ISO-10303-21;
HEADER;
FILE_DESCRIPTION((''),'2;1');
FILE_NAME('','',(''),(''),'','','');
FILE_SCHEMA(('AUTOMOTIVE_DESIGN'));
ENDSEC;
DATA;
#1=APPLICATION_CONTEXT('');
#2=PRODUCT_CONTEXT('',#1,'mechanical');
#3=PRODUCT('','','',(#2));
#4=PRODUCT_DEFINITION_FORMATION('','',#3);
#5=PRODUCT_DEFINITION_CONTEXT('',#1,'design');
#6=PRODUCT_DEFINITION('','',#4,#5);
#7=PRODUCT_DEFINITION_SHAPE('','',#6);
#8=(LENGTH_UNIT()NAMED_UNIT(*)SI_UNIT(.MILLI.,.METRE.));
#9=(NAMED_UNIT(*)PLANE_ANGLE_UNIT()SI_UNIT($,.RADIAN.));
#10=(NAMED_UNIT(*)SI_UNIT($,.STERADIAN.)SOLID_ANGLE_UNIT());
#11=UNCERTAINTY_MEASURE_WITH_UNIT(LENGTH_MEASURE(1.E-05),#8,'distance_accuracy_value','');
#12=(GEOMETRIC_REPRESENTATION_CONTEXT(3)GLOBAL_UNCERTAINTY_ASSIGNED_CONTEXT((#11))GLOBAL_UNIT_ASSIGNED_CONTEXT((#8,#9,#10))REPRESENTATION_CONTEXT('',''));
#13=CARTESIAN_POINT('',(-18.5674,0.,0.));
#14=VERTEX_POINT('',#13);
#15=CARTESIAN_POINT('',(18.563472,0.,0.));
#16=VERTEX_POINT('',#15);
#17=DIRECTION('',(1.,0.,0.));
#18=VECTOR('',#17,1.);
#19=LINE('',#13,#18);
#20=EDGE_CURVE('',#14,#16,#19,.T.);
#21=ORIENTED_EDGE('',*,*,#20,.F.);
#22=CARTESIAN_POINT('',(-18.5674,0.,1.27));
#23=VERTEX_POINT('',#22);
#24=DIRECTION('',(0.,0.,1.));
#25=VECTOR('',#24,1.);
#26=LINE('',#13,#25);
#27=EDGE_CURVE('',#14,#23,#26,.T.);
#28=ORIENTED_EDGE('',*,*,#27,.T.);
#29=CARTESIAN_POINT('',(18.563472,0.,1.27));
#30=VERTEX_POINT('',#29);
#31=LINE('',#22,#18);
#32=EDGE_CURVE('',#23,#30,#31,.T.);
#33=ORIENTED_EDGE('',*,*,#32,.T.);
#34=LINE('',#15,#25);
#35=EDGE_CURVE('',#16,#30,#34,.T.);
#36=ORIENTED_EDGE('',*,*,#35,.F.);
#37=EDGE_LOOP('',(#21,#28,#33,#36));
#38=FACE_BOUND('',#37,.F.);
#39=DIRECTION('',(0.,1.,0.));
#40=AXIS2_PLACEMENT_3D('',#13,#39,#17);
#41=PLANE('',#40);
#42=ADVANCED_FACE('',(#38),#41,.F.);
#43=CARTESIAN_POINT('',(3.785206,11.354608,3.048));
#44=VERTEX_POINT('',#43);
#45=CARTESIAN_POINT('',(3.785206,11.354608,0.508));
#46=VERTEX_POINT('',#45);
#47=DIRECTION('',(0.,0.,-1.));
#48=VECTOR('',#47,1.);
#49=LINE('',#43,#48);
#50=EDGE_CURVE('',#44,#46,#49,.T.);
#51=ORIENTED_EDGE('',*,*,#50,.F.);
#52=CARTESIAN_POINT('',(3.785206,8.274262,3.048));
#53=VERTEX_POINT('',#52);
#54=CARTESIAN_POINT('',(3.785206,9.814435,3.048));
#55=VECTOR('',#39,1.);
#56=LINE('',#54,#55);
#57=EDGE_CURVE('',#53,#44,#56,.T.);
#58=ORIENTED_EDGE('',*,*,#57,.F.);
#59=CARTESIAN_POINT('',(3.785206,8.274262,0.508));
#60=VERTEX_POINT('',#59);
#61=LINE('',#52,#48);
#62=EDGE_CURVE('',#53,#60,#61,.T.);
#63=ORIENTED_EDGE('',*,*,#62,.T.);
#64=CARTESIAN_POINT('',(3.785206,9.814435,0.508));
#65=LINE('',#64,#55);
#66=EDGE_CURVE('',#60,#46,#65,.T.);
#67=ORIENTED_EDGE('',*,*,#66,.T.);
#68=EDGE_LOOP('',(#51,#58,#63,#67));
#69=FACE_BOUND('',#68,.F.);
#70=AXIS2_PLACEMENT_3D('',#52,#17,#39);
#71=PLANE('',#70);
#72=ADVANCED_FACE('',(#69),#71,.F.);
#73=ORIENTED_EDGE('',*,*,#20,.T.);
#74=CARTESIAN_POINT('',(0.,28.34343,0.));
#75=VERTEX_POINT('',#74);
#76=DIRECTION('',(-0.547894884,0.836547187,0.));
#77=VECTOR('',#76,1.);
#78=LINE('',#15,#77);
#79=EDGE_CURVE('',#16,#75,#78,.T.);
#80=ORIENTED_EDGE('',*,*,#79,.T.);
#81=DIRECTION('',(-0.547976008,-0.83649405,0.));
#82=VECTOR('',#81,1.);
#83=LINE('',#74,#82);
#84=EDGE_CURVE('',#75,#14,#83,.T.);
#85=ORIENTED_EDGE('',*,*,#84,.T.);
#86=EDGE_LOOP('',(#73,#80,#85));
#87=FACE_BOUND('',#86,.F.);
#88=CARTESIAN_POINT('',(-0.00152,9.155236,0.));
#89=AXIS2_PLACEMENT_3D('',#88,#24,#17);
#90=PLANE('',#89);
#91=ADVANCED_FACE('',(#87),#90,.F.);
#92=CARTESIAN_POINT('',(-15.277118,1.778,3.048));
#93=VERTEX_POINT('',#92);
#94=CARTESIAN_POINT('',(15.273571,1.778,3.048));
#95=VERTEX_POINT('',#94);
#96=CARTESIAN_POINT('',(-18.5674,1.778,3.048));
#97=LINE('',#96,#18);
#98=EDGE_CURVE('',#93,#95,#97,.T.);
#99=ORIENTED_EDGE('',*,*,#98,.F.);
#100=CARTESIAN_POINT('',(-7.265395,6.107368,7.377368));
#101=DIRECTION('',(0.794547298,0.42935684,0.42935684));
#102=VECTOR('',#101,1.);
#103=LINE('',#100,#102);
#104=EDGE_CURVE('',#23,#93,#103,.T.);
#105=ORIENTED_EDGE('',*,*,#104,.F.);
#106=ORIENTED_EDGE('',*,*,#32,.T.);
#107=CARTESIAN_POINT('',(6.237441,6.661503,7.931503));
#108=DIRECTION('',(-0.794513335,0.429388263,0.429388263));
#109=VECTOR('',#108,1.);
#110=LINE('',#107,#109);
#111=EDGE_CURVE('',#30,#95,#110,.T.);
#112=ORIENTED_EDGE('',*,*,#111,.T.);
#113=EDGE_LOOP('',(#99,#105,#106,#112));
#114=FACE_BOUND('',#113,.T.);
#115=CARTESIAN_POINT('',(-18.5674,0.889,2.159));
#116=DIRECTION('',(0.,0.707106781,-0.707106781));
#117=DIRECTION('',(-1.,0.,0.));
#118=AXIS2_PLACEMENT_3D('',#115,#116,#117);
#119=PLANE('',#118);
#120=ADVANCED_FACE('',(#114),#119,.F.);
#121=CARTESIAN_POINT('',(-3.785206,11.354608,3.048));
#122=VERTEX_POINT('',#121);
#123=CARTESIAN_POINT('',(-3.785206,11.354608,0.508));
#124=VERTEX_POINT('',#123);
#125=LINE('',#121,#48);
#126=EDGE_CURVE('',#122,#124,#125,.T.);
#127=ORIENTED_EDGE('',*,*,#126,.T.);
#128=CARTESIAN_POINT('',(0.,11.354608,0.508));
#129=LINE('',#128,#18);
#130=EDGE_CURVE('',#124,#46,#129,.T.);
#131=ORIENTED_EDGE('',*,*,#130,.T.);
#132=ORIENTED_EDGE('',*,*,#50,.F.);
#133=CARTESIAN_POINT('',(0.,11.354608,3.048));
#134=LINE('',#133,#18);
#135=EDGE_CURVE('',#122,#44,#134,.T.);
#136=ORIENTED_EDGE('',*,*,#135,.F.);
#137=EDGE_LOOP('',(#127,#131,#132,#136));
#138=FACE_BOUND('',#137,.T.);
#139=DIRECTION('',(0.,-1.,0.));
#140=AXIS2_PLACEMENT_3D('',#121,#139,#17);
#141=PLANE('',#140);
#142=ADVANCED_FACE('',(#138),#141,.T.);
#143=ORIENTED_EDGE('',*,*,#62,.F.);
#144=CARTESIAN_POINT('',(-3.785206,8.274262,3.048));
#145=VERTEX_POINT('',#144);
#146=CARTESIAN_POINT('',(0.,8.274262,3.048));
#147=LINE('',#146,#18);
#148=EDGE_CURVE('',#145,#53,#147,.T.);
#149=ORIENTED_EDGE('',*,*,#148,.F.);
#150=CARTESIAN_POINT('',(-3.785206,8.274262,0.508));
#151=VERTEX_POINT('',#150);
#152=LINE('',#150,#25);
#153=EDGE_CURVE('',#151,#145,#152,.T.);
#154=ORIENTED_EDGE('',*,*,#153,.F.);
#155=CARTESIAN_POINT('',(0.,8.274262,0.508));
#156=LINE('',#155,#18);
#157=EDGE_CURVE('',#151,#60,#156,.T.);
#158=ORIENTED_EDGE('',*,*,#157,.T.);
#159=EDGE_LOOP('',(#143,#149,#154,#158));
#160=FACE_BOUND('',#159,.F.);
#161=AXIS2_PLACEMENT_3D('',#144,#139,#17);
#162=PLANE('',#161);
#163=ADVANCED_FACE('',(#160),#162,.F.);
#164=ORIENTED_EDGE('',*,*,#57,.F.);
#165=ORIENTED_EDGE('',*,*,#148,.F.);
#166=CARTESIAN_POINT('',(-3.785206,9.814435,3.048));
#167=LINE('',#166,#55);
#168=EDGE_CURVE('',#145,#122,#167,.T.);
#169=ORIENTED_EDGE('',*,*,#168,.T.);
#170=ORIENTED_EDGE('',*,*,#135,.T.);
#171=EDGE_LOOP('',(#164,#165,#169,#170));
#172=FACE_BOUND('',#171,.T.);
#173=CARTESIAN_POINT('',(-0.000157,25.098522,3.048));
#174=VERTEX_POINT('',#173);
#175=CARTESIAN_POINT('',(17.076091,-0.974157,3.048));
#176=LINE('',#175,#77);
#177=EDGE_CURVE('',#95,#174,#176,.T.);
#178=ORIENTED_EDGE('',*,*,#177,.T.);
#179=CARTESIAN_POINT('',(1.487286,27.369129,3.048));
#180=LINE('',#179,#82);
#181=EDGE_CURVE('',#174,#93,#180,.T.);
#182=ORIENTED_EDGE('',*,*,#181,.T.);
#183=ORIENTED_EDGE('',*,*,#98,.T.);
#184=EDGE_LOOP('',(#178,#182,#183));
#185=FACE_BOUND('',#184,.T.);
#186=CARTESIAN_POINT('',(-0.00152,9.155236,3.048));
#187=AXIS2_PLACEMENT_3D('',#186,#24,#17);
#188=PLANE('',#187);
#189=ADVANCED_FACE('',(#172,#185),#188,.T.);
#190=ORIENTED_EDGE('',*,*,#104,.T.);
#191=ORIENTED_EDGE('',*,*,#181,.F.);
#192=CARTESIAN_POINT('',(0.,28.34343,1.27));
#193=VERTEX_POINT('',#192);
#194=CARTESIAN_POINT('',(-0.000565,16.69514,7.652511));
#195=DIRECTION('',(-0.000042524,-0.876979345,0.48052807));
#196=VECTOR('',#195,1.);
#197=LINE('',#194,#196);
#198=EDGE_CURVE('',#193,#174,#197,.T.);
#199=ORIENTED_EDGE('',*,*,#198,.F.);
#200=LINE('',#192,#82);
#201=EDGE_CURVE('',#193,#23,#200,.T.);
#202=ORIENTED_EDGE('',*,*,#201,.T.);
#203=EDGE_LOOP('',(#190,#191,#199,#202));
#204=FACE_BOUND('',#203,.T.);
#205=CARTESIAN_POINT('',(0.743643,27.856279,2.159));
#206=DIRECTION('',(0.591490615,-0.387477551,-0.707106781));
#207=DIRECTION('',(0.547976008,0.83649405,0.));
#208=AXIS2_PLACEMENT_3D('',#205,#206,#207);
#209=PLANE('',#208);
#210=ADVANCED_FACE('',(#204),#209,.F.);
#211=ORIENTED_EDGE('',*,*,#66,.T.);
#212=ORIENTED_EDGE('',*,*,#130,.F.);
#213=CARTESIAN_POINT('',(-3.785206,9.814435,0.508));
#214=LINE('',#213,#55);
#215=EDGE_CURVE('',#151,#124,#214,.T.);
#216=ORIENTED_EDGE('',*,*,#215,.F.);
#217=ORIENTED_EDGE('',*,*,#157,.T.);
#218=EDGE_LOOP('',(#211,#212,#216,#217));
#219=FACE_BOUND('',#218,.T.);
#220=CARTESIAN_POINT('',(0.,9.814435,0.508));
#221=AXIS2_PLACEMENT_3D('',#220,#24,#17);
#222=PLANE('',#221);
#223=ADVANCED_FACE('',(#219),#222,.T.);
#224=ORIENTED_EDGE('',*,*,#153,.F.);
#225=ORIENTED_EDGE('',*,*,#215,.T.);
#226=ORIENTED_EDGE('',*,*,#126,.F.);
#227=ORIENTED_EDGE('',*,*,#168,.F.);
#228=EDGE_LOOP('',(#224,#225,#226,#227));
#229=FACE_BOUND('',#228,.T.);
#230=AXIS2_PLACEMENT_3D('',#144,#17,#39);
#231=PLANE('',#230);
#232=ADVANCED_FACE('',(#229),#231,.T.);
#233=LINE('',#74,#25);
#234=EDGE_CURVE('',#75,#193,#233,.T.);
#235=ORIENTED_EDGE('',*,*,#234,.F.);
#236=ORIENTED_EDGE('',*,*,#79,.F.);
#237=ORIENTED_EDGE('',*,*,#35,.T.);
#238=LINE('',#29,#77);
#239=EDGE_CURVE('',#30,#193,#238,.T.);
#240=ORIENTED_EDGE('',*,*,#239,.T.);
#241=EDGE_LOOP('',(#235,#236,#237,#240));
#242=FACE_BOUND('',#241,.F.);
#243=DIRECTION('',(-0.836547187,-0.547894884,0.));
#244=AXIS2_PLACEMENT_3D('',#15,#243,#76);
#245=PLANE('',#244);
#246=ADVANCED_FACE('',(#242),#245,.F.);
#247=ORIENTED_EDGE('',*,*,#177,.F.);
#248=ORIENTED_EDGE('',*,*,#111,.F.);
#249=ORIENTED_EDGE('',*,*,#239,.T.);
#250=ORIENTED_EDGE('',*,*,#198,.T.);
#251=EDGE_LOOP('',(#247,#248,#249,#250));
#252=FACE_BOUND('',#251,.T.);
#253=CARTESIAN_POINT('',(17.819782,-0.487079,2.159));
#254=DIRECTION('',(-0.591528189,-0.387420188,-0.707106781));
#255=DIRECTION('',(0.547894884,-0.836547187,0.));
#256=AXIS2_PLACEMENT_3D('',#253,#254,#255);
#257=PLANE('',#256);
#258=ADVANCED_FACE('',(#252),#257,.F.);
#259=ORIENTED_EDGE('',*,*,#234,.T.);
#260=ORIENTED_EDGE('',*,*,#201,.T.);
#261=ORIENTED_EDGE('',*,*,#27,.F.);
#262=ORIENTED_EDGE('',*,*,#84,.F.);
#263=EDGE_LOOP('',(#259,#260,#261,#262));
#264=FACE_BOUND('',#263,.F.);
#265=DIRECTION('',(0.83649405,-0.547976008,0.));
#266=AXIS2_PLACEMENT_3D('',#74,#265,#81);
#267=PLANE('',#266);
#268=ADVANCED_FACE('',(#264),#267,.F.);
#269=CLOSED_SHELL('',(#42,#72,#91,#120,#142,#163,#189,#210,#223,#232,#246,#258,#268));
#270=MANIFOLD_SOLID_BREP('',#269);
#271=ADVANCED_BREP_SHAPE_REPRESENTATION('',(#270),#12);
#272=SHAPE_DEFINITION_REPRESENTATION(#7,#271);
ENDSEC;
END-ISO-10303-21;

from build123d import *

# Parameters (mm, degrees)
F1_DEPTH  = 3.048
F2_SIZE   = 1.778
F3_W      = 7.570412
F3_H      = 3.080346
F4_DEPTH  = 0.508
F4_FACE_W = 7.570412
F4_FACE_H = 3.080346
F5_DEPTH  = 2.032


with BuildPart() as f1:
    # F0 (on Top) → F1 (new body)
    with BuildSketch(Plane.XY):
        Polygon((-18.5674, 0), (0, 0), (18.563472, 0), (0, 28.34343), align=None)
    extrude(amount=F1_DEPTH)

    # F2
    f2_edges = [f1.edges().sort_by_distance(p)[0] for p in [
        (-9.2837, 14.171715, 3.048),
        (-0.001964, 0, 3.048),
        (9.281736, 14.171715, 3.048),
    ]]
    chamfer(f2_edges, length=F2_SIZE)

    # F3 (on face) → F4 (cut)
    with BuildSketch(Plane.XY.offset(3.048)):
        with Locations((0, 9.814435)):
            Rectangle(F3_W, F3_H)
    extrude(amount=-F4_DEPTH, mode=Mode.SUBTRACT)

    # F4_face (on face) → F5 (cut)
    with BuildSketch(Plane(origin=(0, 9.814435, 2.54), x_dir=(1, 0, 0), z_dir=(0, 0, 1))):
        Rectangle(F4_FACE_W, F4_FACE_H)
    extrude(amount=-F5_DEPTH, mode=Mode.SUBTRACT)


solid = f1.part
